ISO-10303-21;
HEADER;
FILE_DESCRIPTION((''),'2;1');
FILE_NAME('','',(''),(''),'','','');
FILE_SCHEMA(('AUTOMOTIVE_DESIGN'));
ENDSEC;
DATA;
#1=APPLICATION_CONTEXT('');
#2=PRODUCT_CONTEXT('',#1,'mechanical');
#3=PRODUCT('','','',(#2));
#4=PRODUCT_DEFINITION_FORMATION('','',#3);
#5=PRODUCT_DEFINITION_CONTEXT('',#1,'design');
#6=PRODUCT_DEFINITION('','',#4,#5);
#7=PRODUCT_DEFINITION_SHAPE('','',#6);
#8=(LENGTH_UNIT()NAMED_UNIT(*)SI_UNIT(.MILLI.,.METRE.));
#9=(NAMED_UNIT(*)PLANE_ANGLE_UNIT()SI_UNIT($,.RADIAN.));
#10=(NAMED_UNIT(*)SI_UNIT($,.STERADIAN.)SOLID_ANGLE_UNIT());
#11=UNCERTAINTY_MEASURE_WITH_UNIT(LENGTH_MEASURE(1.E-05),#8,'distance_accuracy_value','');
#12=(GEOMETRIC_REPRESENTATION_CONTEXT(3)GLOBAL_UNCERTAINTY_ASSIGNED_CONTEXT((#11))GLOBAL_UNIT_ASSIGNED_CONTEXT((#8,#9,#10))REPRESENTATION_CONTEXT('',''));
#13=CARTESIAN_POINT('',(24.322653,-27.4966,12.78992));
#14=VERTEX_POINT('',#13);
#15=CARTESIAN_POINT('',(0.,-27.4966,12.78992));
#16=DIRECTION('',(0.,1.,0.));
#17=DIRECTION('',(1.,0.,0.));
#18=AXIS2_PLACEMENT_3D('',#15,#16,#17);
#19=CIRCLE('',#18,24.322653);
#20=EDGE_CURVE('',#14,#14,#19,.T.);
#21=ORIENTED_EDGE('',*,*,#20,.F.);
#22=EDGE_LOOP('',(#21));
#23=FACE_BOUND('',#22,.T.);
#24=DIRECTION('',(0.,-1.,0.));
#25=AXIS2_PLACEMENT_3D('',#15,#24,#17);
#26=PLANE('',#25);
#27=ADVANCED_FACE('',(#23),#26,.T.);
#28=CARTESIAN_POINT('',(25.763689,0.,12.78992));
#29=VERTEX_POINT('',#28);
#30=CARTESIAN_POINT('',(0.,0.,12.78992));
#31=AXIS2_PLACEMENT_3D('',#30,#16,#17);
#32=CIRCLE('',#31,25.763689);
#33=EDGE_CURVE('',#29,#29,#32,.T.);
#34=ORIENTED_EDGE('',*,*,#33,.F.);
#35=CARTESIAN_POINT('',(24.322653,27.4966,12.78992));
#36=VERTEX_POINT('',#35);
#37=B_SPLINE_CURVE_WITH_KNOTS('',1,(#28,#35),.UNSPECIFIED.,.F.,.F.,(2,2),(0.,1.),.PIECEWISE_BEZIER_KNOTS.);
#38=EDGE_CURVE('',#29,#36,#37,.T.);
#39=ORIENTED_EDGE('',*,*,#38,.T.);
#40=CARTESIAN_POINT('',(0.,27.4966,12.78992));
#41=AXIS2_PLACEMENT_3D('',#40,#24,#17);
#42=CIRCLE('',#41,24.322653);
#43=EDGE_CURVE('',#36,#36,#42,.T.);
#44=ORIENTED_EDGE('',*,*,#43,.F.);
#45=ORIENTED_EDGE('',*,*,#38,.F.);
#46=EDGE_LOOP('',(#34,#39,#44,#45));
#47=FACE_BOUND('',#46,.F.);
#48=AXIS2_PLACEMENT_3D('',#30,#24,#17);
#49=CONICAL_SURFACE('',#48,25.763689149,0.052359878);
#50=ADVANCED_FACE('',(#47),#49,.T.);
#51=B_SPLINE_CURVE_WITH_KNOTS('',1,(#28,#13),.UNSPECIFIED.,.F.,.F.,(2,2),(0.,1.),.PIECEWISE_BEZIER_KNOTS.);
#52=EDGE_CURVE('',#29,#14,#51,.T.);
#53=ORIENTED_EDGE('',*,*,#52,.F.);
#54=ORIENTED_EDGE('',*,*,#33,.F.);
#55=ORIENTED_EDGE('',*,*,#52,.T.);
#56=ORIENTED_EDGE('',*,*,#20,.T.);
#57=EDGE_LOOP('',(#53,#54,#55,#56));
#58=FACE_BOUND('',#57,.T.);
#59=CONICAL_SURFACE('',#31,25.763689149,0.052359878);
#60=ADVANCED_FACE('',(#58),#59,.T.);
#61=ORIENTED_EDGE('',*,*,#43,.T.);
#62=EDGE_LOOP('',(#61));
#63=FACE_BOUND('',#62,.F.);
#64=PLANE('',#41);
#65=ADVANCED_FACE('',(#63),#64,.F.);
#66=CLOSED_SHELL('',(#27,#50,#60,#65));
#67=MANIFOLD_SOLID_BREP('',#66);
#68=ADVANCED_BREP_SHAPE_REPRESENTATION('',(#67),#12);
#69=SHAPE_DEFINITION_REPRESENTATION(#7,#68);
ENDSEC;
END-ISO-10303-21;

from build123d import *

# Parameters (mm, degrees)
F0_R     = 25.7636891494
F1_DEPTH = 27.4965995923
F1_TAPER = 3


with BuildPart() as f1:
    # F0 (on Front) → F1 (new body, symmetric)
    with BuildSketch(Plane.XZ):
        with Locations((0, 12.7899199724)):
            Circle(F0_R)
    extrude(amount=F1_DEPTH, both=True, taper=F1_TAPER)


solid = f1.part
